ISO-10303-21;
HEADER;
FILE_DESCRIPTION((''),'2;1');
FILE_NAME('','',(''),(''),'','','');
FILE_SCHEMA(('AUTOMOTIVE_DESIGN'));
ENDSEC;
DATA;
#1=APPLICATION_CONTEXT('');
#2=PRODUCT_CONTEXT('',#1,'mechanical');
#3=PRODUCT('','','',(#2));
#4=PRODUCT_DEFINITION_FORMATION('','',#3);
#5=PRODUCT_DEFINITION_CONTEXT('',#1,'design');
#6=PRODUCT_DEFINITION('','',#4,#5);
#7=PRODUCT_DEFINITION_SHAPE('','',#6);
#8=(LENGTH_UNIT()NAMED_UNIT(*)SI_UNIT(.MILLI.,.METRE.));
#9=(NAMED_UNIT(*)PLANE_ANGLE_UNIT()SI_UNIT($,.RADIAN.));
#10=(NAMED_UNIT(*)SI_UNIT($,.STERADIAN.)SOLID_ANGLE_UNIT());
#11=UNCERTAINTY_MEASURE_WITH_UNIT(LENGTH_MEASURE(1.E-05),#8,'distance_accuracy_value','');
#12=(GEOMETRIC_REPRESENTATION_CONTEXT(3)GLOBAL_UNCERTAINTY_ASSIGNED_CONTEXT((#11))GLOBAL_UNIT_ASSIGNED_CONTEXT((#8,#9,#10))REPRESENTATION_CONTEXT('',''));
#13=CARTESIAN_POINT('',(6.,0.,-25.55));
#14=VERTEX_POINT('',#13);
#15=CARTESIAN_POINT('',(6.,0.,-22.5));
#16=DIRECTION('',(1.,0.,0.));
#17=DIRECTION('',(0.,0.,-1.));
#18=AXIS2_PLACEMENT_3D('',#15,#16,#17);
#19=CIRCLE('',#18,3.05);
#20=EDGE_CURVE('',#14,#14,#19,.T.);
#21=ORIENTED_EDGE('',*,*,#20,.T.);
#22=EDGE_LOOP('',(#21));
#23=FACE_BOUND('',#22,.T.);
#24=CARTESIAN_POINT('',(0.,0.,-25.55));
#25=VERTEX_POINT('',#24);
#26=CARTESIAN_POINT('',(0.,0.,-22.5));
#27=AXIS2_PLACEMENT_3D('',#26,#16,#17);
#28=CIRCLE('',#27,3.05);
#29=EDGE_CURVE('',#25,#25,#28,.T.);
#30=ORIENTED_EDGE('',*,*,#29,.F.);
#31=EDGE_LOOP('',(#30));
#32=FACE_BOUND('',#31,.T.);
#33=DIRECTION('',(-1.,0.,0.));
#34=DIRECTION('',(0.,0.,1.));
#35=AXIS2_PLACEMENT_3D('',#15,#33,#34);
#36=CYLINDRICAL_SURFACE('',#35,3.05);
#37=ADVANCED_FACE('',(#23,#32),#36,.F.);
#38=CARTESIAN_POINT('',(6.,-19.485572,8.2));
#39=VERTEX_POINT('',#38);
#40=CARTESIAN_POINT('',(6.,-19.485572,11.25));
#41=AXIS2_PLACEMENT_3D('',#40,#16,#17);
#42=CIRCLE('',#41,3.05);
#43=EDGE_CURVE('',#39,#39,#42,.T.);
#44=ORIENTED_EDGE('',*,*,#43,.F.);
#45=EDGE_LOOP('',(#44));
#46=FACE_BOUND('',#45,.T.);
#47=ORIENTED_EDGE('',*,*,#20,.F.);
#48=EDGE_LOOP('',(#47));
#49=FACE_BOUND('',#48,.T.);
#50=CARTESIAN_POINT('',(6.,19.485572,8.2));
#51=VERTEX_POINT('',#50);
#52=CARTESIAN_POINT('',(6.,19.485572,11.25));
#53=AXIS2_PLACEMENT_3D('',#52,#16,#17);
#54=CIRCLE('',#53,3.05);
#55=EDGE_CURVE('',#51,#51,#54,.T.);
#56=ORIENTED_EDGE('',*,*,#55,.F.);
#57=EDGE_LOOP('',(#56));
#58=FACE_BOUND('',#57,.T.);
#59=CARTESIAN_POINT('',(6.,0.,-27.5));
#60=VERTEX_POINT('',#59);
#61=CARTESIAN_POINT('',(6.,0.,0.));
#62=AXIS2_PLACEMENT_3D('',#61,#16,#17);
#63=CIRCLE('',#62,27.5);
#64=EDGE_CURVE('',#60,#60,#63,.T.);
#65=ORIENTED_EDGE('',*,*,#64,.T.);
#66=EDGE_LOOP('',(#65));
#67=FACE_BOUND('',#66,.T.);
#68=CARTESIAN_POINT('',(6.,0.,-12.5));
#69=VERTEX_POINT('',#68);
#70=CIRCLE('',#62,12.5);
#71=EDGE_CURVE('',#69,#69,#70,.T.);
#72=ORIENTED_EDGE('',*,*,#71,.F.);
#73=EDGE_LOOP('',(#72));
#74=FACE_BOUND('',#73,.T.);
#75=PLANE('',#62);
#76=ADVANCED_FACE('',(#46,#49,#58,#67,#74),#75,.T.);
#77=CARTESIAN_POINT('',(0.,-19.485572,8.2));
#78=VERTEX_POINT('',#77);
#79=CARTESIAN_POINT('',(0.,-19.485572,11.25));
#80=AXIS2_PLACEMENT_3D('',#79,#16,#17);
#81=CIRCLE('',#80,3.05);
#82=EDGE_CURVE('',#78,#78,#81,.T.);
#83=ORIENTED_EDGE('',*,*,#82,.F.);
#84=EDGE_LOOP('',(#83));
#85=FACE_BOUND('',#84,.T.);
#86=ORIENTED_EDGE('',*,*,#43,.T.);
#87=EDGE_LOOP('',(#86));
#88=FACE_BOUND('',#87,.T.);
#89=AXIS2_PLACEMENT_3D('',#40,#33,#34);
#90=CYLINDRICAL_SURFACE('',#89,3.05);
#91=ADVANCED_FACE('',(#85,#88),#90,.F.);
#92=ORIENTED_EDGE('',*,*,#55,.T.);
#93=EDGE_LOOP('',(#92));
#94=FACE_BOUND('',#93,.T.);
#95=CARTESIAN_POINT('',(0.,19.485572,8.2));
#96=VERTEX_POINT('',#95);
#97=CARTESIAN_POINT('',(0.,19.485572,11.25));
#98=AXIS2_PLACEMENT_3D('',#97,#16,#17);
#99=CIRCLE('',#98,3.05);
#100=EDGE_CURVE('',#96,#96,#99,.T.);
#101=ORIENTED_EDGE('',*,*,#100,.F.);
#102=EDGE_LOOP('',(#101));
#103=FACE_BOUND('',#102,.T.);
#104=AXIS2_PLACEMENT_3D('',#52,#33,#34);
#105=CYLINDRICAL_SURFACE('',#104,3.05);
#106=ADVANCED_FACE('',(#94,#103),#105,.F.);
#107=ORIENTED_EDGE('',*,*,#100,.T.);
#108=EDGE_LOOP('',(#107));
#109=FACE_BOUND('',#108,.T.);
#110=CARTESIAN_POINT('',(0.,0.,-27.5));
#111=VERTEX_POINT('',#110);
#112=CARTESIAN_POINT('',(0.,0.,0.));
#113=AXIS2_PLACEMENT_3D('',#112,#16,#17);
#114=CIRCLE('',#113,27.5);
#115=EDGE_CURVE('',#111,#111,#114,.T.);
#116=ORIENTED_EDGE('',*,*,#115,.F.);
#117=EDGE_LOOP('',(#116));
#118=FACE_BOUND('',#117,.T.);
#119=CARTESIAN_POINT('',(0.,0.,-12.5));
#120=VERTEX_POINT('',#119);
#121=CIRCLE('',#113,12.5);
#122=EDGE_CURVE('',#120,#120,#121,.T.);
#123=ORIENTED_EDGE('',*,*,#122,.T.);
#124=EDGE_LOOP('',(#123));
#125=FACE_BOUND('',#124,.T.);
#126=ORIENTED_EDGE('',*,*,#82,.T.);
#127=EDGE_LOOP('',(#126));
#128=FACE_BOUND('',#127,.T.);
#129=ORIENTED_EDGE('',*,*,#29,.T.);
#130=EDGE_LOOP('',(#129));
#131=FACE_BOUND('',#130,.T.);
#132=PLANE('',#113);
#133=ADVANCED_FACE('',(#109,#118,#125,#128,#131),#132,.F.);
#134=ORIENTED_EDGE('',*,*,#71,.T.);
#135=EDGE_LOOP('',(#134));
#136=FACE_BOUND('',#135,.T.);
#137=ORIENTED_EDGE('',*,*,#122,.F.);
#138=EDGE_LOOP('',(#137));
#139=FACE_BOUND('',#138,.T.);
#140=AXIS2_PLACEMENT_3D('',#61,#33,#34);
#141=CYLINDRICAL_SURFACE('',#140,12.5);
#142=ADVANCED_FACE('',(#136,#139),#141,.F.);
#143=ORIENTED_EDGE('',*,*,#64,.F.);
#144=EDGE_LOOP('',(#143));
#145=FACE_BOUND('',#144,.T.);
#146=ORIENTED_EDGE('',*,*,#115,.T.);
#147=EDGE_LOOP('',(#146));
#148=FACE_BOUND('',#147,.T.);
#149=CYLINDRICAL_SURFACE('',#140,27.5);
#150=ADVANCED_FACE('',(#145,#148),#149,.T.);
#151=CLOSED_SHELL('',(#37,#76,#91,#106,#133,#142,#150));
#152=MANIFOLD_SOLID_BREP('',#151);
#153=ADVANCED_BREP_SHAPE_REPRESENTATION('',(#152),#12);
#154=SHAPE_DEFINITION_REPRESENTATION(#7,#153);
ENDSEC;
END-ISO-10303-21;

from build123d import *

# Parameters (mm, degrees)
SKETCH_1_R      = 27.5
SKETCH_1_R_2    = 12.5
SKETCH_1_R_3    = 3.05
EXTRUDE_1_DEPTH = 6


with BuildPart() as part:
    # 草图1 → 凸台-拉伸1 (new body)
    with BuildSketch(Plane(origin=(0, 0, 0), x_dir=(0, 0, -1), z_dir=(1, 0, 0))):
        Circle(SKETCH_1_R)
        Circle(SKETCH_1_R_2, mode=Mode.SUBTRACT)
        with Locations((22.5, 0)):
            Circle(SKETCH_1_R_3, mode=Mode.SUBTRACT)
        with Locations((-11.25, -19.485571585)):
            Circle(SKETCH_1_R_3, mode=Mode.SUBTRACT)
        with Locations((-11.25, 19.485571585)):
            Circle(SKETCH_1_R_3, mode=Mode.SUBTRACT)
    extrude(amount=EXTRUDE_1_DEPTH)


solid = part.part
